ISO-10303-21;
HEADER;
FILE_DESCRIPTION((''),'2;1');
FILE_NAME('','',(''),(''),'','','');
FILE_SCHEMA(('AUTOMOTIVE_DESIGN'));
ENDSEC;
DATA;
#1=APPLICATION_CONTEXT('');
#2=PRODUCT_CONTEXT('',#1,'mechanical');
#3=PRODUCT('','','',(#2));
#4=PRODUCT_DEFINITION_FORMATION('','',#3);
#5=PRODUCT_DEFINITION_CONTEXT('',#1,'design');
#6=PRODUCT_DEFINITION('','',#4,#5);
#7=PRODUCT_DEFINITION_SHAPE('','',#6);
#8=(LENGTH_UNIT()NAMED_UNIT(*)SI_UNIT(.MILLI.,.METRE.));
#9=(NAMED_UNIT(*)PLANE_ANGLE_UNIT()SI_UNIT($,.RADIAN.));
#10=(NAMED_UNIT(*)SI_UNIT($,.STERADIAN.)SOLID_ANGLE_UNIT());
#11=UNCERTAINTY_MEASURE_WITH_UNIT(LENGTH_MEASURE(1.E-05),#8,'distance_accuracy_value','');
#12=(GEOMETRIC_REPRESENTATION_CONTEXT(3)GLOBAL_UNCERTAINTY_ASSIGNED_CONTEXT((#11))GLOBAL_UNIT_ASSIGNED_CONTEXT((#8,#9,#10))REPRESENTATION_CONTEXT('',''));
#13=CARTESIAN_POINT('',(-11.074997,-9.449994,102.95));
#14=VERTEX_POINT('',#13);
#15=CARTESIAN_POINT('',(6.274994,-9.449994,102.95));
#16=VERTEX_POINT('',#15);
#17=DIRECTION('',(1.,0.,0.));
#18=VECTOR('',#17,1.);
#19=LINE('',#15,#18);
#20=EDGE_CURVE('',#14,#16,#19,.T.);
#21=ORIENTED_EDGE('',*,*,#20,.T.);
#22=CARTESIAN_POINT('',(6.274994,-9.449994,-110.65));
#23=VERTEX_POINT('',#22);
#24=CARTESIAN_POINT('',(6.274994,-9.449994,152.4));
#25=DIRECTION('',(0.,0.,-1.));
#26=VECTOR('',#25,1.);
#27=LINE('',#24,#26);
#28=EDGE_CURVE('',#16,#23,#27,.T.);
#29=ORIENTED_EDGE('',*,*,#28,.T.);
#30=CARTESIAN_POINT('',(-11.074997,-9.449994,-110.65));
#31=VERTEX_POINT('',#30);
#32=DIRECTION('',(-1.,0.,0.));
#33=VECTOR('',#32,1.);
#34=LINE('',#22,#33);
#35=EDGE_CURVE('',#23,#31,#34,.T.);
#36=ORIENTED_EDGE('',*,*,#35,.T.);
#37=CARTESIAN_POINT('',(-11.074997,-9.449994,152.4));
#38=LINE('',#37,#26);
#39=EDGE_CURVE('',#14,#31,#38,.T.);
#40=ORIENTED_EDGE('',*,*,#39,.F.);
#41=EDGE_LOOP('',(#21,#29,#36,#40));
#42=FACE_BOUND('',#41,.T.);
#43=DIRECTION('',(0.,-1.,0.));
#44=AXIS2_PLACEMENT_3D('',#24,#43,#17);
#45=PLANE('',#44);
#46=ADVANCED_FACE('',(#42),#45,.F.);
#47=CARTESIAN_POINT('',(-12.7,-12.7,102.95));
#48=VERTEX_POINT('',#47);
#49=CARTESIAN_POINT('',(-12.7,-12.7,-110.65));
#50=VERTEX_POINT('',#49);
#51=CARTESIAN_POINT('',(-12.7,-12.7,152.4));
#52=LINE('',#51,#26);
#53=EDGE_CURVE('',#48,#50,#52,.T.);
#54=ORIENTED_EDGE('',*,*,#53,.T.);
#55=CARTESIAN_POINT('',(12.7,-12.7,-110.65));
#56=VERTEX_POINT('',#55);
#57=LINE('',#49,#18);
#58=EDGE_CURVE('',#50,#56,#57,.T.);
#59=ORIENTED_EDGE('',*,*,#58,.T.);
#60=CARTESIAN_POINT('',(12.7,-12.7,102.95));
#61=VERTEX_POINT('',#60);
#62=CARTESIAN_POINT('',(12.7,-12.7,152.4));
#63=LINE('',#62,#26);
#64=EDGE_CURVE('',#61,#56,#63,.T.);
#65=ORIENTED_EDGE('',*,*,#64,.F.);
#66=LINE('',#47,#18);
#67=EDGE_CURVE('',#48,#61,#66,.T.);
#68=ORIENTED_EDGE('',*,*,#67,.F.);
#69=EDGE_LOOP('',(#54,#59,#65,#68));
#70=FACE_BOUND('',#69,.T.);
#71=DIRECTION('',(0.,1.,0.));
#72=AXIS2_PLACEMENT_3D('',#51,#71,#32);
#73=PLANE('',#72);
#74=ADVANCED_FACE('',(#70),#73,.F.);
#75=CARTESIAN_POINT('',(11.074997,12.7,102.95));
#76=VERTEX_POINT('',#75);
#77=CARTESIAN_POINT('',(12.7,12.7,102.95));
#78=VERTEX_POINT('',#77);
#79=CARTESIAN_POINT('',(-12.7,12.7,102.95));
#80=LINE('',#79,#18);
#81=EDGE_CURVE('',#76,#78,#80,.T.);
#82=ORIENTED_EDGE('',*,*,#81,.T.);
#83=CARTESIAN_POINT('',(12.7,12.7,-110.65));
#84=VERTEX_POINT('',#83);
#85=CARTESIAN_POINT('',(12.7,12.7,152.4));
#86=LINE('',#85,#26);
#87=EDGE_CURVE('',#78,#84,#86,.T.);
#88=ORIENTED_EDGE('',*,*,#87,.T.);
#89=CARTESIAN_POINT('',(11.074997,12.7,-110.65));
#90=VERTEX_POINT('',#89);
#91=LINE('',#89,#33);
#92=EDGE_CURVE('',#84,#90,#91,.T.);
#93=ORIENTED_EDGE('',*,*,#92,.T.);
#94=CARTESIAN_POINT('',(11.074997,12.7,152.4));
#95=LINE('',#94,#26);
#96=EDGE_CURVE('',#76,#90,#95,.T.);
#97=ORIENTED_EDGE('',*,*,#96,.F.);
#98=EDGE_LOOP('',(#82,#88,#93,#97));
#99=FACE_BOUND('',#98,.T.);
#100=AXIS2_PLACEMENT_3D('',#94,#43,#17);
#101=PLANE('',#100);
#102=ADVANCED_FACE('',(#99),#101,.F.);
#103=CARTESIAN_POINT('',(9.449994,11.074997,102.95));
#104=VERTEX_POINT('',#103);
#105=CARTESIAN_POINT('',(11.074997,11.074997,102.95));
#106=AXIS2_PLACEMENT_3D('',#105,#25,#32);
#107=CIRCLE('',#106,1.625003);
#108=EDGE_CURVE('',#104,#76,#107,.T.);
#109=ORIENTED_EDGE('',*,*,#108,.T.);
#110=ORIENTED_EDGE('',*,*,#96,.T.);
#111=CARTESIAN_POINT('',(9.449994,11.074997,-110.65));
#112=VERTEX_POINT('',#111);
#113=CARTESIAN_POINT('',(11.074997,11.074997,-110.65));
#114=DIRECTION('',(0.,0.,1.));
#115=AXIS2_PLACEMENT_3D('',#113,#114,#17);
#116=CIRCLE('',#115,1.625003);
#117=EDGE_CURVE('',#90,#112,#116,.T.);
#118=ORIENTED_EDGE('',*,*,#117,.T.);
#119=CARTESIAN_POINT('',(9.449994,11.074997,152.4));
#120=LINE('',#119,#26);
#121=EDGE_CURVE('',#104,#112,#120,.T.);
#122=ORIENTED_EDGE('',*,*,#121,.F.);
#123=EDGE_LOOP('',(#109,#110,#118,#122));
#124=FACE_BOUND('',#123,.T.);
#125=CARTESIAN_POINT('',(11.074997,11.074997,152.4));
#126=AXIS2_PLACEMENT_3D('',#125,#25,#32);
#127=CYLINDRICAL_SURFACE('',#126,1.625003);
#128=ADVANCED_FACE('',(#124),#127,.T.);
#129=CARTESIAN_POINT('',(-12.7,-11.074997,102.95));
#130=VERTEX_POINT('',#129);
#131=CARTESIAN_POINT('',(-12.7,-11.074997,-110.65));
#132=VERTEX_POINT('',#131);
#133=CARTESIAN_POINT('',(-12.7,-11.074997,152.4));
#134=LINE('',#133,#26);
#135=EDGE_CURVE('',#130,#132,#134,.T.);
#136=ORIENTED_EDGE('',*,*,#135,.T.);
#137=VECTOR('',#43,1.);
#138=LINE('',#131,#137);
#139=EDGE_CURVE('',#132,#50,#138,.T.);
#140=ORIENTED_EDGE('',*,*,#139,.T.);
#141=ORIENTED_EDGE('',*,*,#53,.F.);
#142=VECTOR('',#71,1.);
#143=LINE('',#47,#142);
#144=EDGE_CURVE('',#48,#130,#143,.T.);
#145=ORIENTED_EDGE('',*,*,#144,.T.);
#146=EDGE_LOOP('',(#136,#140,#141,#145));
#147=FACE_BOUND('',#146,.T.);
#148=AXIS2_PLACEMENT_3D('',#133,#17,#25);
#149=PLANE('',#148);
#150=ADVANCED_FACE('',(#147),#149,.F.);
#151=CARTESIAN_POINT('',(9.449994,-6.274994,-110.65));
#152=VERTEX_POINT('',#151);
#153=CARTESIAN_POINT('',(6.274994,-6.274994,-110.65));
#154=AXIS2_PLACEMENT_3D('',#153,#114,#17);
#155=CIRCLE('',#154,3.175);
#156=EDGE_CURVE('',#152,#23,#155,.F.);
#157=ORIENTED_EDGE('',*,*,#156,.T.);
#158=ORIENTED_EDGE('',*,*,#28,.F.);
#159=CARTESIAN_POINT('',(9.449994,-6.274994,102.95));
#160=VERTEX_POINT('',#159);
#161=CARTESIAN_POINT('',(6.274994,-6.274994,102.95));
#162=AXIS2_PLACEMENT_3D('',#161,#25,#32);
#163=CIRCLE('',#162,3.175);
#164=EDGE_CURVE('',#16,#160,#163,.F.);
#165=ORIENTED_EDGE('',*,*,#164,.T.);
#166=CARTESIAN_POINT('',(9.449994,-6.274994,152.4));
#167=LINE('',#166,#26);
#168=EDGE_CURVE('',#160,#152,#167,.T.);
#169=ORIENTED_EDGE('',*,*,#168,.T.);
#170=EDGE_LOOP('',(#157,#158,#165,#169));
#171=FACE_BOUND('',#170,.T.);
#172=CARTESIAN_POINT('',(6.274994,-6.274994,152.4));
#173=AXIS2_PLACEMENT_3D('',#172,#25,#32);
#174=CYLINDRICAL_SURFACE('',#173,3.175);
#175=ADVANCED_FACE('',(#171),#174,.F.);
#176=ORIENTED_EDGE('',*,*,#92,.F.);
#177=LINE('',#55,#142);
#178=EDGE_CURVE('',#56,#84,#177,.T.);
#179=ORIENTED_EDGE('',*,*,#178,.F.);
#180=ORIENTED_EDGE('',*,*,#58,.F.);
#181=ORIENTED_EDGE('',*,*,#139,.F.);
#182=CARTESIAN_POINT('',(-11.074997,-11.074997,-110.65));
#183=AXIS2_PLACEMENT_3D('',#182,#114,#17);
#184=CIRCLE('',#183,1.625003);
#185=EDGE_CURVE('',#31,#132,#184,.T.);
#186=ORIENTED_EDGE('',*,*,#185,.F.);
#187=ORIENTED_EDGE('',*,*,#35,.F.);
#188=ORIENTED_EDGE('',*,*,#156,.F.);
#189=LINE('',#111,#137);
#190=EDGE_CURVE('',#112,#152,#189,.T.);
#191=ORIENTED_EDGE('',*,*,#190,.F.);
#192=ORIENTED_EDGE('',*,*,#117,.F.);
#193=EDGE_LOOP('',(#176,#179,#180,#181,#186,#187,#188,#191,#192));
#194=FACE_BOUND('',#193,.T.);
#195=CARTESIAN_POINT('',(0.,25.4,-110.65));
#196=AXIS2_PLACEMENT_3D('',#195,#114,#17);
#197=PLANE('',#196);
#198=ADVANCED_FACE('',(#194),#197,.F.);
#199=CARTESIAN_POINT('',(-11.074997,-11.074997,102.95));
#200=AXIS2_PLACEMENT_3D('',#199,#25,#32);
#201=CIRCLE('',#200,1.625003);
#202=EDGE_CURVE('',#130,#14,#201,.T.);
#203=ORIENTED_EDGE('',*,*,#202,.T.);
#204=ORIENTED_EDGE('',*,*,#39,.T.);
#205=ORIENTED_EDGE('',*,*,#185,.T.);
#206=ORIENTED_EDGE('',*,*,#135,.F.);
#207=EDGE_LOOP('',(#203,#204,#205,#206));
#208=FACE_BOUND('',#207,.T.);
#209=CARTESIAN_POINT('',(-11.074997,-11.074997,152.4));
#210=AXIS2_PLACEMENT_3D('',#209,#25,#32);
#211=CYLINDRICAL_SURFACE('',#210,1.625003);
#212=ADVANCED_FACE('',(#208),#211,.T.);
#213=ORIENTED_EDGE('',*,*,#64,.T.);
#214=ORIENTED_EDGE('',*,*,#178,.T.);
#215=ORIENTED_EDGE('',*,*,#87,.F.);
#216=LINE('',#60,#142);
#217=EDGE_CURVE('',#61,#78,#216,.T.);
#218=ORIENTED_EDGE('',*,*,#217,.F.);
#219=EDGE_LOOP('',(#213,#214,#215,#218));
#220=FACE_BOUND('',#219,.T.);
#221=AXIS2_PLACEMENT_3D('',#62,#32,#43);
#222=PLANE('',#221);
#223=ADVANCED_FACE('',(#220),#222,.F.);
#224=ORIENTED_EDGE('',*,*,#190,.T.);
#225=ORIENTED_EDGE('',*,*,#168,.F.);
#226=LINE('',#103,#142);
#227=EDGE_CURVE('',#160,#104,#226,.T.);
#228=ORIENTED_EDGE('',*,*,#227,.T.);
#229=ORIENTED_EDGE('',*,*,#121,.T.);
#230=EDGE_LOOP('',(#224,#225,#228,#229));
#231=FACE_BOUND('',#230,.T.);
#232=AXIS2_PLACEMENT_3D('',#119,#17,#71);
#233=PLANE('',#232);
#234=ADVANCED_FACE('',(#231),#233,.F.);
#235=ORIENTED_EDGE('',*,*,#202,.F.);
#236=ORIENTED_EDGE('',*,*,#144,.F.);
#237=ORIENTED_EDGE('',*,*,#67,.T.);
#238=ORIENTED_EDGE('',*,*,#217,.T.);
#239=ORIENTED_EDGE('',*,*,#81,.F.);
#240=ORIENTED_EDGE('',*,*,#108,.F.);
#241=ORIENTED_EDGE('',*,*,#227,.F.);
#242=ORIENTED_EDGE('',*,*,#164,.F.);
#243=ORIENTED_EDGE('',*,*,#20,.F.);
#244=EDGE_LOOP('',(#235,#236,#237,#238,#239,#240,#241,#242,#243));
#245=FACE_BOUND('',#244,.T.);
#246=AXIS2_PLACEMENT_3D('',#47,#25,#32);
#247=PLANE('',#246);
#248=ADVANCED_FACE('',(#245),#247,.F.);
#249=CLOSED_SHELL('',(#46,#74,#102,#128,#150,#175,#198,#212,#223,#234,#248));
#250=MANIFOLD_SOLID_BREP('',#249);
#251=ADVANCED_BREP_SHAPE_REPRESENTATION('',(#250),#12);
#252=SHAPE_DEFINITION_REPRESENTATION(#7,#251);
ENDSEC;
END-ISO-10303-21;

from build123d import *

# Parameters (mm, degrees)
BOSS_EXTRUDE1_DEPTH     = 152.4
CUT_EXTRUDE1_START      = -6.35
CUT_EXTRUDE1_DEPTH      = 6.35
CUT_EXTRUDE2_DEPTH      = 154.454683865
CUT_EXTRUDE2_DEPTH_BACK = 154.454683865
SKETCH4_W               = 35.4
SKETCH4_H               = 35.921024484
SKETCH5_W               = 49.45
SKETCH5_H               = 25.4
CUT_EXTRUDE3_DEPTH      = 156.02325632


with BuildPart() as part:
    # Sketch2 → Boss-Extrude1 (new, symmetric)
    with BuildSketch(Plane.XY):
        with BuildLine():
            Line((-12.7, -12.7), (12.7, -12.7))
            Line((12.7, -12.7), (12.7, 12.7))
            Line((12.7, 12.7), (11.0749969, 12.7))
            ThreePointArc((11.0749969, 12.7), (9.925946189, 12.224047611), (9.4499938, 11.0749969))
            Line((9.4499938, 11.0749969), (9.4499938, -6.2749938))
            ThreePointArc((9.4499938, -6.2749938), (8.52005783, -8.52005783), (6.2749938, -9.4499938))
            Line((6.2749938, -9.4499938), (-11.0749969, -9.4499938))
            ThreePointArc((-11.0749969, -9.4499938), (-12.224047611, -9.925946189), (-12.7, -11.0749969))
            Line((-12.7, -11.0749969), (-12.7, -12.7))
        make_face()
    extrude(amount=BOSS_EXTRUDE1_DEPTH, both=True)

    # Sketch3 → Cut-Extrude1 (cut)
    with BuildSketch(Plane(origin=(0, 0, -152.4), x_dir=(-1, 0, 0), z_dir=(0, 0, -1)).offset(CUT_EXTRUDE1_START)):
        with BuildLine():
            Line((12.7, -12.7), (12.7, -11.0749969))
            ThreePointArc((12.7, -11.0749969), (12.224047611, -9.925946189), (11.0749969, -9.4499938))
            Line((11.0749969, -9.4499938), (-6.2749938, -9.4499938))
            ThreePointArc((-6.2749938, -9.4499938), (-8.52005783, -8.52005783), (-9.4499938, -6.2749938))
            Line((-9.4499938, -6.2749938), (-9.4499938, 11.0749969))
            ThreePointArc((-9.4499938, 11.0749969), (-9.925946189, 12.224047611), (-11.0749969, 12.7))
            Line((-11.0749969, 12.7), (-12.7, 12.7))
            Line((-12.7, 12.7), (-12.7, -12.7))
            Line((-12.7, -12.7), (12.7, -12.7))
        make_face()
    extrude(amount=CUT_EXTRUDE1_DEPTH, mode=Mode.SUBTRACT)

    # Sketch4 → Cut-Extrude2 (cut, two sides: drawn at the far end of the back side and taken through both)
    with BuildSketch(Plane(origin=(0, 0, 0), x_dir=(0, 0, -1), z_dir=(0.7071067811865476, -0.7071067811865475, 0)).offset(-CUT_EXTRUDE2_DEPTH_BACK)):
        with Locations((128.35, 0)):
            Rectangle(SKETCH4_W, SKETCH4_H)
    extrude(amount=CUT_EXTRUDE2_DEPTH + CUT_EXTRUDE2_DEPTH_BACK, mode=Mode.SUBTRACT)

    # Sketch5 → Cut-Extrude3 (cut, through all)
    with BuildSketch(Plane(origin=(12.7, 0, 0), x_dir=(0, 0, -1), z_dir=(1, 0, 0))):
        with Locations((-127.675, 0)):
            Rectangle(SKETCH5_W, SKETCH5_H)
    extrude(amount=-CUT_EXTRUDE3_DEPTH, mode=Mode.SUBTRACT)


solid = part.part
